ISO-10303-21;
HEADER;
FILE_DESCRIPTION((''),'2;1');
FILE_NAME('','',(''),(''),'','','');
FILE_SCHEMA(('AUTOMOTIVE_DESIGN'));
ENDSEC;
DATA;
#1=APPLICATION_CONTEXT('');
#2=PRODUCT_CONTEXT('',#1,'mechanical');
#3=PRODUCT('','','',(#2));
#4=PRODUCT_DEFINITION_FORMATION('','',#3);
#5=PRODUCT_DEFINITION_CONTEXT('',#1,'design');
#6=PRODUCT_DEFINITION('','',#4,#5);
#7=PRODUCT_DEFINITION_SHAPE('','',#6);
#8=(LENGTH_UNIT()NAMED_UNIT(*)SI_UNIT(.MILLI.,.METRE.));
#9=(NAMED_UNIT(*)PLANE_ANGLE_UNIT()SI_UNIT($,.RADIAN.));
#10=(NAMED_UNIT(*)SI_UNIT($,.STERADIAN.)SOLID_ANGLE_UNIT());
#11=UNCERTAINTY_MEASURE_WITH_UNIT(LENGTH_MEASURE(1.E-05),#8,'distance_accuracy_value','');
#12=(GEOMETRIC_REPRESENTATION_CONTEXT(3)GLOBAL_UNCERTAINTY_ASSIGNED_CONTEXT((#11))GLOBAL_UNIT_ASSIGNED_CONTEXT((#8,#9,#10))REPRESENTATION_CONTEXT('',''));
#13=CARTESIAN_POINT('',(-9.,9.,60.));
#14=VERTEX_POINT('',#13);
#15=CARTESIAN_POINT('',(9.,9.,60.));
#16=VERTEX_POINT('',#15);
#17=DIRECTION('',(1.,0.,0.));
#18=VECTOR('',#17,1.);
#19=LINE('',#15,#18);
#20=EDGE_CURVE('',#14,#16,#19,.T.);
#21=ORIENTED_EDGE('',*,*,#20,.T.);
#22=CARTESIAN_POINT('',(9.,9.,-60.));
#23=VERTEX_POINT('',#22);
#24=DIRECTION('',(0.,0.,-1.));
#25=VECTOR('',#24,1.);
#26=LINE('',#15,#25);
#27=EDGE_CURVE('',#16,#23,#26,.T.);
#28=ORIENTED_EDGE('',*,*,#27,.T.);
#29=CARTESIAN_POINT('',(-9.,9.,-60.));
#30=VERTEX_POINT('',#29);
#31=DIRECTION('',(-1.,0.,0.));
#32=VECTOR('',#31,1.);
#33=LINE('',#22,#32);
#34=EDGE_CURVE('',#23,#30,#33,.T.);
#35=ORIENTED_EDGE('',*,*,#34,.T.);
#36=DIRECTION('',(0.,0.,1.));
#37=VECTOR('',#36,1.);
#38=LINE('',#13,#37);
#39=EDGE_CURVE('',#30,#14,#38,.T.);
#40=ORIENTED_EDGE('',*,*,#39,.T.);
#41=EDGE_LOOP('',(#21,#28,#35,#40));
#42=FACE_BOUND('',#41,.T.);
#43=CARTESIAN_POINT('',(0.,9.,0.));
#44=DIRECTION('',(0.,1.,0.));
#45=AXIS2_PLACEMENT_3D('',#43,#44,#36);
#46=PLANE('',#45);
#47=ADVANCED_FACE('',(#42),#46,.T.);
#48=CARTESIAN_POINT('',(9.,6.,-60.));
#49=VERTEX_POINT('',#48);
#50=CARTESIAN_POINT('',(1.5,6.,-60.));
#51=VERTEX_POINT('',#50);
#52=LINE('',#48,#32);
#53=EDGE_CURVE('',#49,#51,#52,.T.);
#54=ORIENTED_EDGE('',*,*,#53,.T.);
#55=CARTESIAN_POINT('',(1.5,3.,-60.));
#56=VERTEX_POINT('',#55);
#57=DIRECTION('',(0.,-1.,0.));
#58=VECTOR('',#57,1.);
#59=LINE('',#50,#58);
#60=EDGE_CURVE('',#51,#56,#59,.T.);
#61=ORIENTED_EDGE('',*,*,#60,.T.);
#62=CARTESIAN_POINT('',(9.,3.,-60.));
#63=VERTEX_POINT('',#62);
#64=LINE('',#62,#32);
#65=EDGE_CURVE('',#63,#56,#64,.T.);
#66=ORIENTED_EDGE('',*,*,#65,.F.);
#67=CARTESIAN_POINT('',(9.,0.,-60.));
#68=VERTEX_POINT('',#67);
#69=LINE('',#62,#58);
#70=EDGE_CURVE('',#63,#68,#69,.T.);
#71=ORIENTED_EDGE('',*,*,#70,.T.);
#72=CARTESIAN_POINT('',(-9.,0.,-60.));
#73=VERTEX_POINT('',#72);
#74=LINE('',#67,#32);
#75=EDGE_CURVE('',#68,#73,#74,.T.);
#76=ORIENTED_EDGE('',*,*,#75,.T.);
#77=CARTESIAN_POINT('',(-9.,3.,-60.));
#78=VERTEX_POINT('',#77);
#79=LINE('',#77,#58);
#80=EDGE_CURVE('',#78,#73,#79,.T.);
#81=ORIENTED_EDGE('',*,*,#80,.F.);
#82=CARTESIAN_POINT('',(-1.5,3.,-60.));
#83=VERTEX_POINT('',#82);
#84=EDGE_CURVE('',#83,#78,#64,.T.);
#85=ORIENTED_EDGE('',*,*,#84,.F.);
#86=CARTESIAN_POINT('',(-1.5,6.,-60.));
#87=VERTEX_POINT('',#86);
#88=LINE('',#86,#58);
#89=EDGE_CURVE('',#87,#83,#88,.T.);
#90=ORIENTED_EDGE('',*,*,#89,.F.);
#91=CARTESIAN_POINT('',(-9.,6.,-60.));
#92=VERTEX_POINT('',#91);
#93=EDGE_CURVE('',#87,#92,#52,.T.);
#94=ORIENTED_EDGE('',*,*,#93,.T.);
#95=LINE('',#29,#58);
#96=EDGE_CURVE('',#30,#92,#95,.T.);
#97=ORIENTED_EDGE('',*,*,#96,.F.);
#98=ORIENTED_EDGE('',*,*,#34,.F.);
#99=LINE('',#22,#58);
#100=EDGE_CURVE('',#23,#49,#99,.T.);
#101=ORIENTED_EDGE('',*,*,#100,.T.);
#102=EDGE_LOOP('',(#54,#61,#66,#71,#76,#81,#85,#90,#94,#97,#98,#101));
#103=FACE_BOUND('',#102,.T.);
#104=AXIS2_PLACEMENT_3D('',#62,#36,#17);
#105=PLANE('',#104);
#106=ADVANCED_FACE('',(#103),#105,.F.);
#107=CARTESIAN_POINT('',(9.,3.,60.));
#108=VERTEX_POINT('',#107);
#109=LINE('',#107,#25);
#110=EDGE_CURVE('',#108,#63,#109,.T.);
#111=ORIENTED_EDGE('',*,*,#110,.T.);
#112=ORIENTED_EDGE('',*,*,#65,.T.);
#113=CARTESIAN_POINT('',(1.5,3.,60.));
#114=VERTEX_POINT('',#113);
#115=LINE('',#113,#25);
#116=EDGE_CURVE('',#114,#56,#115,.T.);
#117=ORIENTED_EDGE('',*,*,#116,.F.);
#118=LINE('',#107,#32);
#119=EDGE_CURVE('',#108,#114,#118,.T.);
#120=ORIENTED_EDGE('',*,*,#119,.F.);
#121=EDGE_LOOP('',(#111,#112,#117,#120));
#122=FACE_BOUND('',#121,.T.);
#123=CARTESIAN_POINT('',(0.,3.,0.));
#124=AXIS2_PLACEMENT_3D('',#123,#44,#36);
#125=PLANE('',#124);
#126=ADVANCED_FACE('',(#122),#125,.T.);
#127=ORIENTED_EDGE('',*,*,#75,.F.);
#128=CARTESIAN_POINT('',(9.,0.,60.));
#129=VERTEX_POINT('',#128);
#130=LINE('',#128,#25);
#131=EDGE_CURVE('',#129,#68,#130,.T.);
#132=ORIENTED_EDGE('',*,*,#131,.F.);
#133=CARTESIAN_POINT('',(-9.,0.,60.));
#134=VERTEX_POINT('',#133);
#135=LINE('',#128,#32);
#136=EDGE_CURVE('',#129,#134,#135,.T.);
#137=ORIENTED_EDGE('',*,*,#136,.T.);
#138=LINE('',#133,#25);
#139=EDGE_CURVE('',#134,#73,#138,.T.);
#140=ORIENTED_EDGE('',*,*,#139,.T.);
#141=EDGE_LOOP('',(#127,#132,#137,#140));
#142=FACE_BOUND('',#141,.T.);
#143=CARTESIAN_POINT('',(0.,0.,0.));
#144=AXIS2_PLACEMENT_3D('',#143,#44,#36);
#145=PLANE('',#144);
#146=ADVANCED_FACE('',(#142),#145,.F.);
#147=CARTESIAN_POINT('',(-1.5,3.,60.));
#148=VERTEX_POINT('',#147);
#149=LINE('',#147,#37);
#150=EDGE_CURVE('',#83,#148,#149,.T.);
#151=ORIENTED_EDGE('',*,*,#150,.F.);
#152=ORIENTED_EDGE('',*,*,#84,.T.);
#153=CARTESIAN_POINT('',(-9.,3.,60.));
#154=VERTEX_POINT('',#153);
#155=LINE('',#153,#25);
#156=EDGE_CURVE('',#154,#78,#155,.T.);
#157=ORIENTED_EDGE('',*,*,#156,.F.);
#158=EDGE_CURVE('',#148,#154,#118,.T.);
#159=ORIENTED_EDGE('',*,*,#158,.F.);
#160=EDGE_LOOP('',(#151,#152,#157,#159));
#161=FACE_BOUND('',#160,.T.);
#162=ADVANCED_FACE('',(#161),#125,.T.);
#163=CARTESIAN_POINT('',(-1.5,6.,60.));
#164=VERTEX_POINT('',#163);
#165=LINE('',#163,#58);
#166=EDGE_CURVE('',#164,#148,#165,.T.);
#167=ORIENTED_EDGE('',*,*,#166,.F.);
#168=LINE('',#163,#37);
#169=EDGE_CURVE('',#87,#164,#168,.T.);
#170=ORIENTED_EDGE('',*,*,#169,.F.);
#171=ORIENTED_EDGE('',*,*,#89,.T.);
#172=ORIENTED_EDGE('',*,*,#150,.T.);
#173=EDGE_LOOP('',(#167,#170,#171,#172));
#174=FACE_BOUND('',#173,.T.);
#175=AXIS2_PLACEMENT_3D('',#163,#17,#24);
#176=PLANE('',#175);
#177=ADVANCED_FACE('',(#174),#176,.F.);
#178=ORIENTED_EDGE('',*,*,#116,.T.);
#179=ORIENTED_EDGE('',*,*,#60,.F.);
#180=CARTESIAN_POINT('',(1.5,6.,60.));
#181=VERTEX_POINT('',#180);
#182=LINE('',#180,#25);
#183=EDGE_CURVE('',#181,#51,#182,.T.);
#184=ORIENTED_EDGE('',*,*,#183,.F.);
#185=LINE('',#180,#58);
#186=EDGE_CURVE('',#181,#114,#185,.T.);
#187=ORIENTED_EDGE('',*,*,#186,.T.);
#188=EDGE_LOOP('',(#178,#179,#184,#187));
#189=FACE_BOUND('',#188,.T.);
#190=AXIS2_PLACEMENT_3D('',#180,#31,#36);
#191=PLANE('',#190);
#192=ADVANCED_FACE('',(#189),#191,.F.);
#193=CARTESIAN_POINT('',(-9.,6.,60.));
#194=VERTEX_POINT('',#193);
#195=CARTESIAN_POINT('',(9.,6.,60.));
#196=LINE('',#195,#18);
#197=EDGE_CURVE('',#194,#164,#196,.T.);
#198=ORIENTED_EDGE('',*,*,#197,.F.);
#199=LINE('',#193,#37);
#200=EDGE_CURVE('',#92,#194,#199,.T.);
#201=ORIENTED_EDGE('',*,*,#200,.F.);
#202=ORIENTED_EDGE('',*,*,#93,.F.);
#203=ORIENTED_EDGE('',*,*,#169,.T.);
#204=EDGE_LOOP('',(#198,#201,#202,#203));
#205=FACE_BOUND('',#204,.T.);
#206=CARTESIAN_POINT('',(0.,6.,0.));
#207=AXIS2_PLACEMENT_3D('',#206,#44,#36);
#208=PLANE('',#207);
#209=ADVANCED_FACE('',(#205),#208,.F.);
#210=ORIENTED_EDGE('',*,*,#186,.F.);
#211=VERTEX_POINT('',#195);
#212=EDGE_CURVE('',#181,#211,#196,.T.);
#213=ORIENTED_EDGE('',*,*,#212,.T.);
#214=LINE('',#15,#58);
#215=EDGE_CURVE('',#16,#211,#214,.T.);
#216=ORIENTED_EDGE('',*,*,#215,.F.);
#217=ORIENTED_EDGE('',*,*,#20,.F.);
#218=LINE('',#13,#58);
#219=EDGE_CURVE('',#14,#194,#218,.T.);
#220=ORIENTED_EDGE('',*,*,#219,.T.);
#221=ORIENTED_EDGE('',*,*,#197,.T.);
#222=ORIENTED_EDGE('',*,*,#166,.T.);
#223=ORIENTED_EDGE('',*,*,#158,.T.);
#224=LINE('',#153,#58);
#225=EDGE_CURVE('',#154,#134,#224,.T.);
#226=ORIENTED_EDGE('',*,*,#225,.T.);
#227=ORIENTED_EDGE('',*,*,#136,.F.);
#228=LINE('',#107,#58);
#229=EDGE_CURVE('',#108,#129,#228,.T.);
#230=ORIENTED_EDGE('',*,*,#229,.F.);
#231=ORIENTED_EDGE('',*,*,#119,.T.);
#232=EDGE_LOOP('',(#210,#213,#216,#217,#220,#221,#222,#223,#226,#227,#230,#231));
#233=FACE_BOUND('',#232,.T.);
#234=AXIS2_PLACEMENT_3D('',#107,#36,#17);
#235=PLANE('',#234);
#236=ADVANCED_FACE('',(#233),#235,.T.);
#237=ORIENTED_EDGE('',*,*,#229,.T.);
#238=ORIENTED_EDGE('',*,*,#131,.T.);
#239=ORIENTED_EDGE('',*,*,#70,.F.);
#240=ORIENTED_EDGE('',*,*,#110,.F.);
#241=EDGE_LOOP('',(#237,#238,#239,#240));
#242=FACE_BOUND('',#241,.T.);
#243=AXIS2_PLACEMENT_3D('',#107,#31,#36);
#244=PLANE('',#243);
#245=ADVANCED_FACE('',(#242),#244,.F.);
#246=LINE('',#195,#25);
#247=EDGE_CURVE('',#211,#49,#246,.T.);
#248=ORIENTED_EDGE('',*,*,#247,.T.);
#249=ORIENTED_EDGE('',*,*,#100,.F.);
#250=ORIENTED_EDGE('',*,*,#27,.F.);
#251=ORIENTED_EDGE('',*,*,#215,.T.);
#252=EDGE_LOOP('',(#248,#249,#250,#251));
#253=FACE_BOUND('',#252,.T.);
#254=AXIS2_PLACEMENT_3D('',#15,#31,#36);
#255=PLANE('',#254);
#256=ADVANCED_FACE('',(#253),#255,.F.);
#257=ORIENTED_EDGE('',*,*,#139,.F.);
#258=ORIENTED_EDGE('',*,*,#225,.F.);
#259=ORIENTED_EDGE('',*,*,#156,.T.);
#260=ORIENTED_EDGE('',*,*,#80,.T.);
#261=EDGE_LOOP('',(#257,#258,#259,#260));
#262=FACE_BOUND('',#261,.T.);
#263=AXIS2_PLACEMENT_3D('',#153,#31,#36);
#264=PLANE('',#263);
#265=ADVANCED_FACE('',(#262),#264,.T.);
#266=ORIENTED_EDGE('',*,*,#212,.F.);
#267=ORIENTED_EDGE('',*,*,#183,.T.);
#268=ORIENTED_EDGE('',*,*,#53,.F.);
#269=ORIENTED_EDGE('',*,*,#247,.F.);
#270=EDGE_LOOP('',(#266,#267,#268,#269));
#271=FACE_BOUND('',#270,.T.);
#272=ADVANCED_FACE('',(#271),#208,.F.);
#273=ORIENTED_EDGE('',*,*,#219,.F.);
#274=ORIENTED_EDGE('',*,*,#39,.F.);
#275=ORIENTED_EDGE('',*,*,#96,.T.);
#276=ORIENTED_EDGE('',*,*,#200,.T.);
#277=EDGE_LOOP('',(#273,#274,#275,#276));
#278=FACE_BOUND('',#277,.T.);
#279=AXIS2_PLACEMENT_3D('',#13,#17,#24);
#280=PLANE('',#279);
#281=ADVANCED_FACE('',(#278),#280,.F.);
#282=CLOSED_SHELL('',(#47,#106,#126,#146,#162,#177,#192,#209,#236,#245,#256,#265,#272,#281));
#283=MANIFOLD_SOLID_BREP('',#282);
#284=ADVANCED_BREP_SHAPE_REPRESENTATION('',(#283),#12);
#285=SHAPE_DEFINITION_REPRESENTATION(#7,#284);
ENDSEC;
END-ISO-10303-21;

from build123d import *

# Parameters (mm, degrees)
SKETCH1_W           = 18
SKETCH1_H           = 120
BOSS_EXTRUDE2_DEPTH = 3
SKETCH4_W           = 3
SKETCH4_H           = 120
BOSS_EXTRUDE3_DEPTH = 3
SKETCH5_W           = 18
SKETCH5_H           = 120
BOSS_EXTRUDE4_DEPTH = 3


with BuildPart() as part:
    # Sketch1 → Boss-Extrude2 (new body)
    with BuildSketch(Plane(origin=(0, 0, 0), x_dir=(1, 0, 0), z_dir=(0, 1, 0))):
        Rectangle(SKETCH1_W, SKETCH1_H)
    extrude(amount=BOSS_EXTRUDE2_DEPTH)

    # Sketch4 → Boss-Extrude3 (add)
    with BuildSketch(Plane(origin=(0, 3, 0), x_dir=(1, 0, 0), z_dir=(0, 1, 0))):
        Rectangle(SKETCH4_W, SKETCH4_H)
    extrude(amount=BOSS_EXTRUDE3_DEPTH)

    # Sketch5 → Boss-Extrude4 (add)
    with BuildSketch(Plane(origin=(0, 6, 0), x_dir=(1, 0, 0), z_dir=(0, 1, 0))):
        Rectangle(SKETCH5_W, SKETCH5_H)
    extrude(amount=BOSS_EXTRUDE4_DEPTH)


solid = part.part
